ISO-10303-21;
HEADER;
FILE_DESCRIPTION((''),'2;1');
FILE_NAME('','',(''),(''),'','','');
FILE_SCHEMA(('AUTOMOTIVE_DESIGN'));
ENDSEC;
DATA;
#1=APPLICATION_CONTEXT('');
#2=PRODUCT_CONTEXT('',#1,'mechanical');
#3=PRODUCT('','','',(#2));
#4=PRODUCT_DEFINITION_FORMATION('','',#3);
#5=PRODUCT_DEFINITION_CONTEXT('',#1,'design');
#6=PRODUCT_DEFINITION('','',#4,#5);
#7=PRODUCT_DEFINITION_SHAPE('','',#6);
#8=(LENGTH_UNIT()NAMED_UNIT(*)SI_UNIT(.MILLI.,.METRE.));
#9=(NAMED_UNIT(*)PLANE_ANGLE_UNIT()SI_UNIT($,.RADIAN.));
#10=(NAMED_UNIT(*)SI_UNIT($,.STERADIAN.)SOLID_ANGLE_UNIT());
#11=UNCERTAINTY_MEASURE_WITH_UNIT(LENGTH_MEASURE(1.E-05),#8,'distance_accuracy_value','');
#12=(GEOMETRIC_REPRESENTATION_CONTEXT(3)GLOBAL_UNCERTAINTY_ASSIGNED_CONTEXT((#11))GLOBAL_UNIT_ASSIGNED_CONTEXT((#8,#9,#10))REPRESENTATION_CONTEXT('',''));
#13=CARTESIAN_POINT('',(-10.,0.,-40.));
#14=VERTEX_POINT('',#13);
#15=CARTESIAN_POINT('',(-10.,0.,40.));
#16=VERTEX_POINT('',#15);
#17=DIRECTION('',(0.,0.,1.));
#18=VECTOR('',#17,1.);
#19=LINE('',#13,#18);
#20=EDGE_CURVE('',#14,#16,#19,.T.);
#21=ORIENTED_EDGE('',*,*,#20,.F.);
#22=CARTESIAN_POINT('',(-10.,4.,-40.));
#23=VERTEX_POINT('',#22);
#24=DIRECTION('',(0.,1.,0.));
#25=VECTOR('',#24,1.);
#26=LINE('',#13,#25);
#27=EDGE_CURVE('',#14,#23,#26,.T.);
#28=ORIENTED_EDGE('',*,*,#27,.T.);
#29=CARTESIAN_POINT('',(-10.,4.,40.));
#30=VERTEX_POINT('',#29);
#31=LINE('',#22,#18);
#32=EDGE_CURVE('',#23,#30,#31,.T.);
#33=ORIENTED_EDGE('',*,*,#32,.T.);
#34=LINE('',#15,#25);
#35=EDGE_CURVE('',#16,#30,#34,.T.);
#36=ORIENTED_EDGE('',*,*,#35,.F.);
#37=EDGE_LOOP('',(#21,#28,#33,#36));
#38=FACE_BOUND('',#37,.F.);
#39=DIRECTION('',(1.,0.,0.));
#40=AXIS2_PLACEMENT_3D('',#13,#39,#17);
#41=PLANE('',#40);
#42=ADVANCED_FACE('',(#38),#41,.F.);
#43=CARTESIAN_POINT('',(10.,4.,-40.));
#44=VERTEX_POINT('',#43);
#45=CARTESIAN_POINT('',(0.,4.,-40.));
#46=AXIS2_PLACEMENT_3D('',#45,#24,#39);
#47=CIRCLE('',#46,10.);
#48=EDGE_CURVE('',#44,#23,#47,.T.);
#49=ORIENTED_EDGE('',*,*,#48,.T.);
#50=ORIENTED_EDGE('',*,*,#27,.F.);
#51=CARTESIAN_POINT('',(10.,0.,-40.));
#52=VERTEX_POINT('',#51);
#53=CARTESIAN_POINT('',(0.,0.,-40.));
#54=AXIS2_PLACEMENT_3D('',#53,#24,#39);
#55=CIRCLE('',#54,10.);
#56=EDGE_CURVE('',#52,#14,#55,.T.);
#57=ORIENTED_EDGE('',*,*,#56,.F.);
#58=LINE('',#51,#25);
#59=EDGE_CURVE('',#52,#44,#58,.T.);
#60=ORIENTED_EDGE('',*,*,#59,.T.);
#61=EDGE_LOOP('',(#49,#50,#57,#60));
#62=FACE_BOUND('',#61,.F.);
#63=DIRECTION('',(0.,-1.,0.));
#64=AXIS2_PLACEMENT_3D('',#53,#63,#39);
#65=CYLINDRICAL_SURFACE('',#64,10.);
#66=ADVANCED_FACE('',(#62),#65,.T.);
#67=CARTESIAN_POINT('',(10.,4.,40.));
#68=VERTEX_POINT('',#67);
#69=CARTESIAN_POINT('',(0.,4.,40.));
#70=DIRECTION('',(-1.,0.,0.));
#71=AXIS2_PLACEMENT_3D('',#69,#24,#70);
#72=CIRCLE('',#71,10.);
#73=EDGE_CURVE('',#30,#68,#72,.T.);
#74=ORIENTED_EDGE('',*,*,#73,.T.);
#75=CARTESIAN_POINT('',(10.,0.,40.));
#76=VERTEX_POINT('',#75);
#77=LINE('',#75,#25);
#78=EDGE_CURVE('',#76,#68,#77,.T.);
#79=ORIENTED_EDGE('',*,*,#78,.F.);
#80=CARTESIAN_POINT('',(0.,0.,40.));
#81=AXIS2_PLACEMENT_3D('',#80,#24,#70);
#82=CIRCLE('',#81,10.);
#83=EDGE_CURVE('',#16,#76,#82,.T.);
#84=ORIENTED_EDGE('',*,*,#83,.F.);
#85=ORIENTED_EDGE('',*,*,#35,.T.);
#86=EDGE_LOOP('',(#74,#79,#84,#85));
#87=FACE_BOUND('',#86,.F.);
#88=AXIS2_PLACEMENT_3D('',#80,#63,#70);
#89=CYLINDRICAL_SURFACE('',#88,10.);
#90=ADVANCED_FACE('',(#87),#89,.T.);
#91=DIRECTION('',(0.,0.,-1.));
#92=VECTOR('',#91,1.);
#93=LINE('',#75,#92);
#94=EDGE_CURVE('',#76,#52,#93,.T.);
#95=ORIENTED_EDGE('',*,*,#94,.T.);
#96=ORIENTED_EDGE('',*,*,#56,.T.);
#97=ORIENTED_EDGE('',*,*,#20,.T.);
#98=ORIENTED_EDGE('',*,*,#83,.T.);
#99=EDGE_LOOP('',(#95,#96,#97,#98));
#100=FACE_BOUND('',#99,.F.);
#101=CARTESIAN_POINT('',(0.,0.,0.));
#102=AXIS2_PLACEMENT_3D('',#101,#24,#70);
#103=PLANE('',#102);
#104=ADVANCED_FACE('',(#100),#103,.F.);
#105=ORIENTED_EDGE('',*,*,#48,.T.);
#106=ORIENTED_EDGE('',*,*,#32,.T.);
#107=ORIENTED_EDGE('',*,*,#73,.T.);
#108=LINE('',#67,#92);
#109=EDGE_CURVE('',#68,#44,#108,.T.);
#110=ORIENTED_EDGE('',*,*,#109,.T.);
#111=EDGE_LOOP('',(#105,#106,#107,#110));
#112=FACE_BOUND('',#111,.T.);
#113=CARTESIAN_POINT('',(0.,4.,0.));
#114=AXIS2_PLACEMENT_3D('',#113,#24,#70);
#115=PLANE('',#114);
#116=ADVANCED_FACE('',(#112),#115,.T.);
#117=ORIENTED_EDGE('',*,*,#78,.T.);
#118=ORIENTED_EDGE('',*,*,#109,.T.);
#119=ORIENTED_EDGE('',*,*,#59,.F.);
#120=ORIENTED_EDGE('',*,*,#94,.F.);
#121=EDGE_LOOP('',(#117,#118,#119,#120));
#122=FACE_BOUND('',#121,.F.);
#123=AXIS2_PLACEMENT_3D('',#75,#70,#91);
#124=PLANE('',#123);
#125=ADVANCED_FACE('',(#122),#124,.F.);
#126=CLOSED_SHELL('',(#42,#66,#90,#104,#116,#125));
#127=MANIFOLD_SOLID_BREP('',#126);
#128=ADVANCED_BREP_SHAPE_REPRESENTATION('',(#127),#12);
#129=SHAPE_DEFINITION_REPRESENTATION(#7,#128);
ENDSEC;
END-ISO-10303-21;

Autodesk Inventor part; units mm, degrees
ref_plane "YZ Plane" through (0, 0, 0) normal (1, 0, 0) x (0, 1, 0)
ref_plane "XZ Plane" through (0, 0, 0) normal (0, 1, 0) x (-1, 0, 0)
ref_plane "XY Plane" through (0, 0, 0) normal (0, 0, 1) x (1, 0, 0)
sketch "Skizze1" plane through (0, 0, 0) normal (0, 1, 0) x (-1, 0, 0)
  line L0 (0, -40) -> (0, 40) construction
  line L1 (10, -40) -> (10, 40)
  line L2 (-10, 40) -> (-10, -40)
  arc A0 (-10, -40) -> (10, -40) centre (0, -40) ccw
  arc A1 (10, 40) -> (-10, 40) centre (0, 40) ccw
  point P0 (0, 0)
  dimension "d0" = 40
  dimension "d1" = 20
extrude "Extrusion1" add sketch "Skizze1" along normal blind 4
properties part number "L2"
